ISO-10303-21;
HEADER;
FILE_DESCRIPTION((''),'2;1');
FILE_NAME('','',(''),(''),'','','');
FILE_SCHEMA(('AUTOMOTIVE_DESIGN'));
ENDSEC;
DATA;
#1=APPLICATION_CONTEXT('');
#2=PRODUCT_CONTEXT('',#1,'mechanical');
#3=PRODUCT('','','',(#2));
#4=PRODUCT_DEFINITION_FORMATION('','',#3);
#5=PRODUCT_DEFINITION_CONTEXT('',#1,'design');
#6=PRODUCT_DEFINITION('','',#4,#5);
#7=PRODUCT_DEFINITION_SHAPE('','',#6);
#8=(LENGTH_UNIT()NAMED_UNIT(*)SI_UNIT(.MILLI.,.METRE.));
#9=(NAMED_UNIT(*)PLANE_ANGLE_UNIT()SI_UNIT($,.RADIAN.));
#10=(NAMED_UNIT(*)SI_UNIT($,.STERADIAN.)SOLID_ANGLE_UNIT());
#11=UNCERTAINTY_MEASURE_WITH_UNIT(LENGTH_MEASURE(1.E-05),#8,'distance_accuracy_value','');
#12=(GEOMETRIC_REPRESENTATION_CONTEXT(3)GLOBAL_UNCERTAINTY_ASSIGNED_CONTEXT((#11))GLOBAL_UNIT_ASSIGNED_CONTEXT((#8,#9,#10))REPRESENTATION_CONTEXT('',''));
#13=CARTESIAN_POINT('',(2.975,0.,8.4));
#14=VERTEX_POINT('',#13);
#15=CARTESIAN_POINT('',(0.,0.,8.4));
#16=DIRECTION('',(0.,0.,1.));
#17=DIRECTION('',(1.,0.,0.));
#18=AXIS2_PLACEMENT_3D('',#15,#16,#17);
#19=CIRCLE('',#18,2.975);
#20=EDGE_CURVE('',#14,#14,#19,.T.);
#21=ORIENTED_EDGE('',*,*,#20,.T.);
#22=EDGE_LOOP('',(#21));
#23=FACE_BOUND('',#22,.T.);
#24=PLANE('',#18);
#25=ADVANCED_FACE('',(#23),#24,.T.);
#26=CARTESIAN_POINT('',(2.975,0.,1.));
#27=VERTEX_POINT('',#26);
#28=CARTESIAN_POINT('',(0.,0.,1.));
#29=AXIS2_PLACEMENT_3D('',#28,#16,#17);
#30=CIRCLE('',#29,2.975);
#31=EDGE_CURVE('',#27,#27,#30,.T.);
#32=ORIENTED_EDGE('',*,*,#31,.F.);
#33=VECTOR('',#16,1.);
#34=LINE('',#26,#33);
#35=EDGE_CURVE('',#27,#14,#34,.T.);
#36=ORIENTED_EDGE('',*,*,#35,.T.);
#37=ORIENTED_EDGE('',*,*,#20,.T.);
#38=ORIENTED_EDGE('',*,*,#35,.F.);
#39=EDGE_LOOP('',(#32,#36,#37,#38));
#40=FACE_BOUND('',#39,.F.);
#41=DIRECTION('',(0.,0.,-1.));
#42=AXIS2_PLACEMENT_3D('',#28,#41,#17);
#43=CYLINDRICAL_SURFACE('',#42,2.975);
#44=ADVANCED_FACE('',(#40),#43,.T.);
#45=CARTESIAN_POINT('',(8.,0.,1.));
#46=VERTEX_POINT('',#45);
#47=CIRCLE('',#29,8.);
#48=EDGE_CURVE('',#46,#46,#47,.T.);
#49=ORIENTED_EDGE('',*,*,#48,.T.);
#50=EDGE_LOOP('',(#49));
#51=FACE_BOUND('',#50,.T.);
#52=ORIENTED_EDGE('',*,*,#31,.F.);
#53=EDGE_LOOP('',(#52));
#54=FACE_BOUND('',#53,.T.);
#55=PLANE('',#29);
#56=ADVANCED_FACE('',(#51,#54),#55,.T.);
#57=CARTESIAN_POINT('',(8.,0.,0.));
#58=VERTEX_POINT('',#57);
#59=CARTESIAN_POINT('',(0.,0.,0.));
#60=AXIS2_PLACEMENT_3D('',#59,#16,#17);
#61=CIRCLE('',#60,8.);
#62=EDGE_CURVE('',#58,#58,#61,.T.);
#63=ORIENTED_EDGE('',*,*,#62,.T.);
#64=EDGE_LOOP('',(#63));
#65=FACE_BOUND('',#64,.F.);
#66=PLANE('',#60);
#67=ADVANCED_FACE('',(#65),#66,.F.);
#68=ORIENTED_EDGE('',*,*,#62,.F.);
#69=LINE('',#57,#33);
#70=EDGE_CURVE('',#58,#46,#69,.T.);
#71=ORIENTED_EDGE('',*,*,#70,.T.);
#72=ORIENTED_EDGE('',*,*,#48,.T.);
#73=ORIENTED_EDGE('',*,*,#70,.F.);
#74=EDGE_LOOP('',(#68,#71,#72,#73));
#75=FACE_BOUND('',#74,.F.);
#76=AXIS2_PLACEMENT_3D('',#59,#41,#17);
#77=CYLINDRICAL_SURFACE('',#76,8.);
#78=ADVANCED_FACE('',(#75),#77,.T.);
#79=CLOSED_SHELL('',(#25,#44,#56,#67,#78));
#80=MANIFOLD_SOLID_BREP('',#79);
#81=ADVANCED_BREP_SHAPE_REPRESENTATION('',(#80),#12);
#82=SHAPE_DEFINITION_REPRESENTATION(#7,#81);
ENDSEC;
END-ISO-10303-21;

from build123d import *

# Parameters (mm, degrees)
F0_R     = 8
F1_DEPTH = 1
F3_R     = 8
F4_DEPTH = 1
F5_R     = 2.975
F6_DEPTH = 7.4


with BuildPart() as f1:
    # F0 (on Top) → F1 (new body)
    with BuildSketch(Plane.XY):
        with Locations((-0.1634992032, 0.8891506742)):
            Circle(F0_R)
    extrude(amount=F1_DEPTH)


with BuildPart() as f4:
    # F3 (on Top) → F4 (new body)
    with BuildSketch(Plane.XY):
        Circle(F3_R)
    extrude(amount=F4_DEPTH)

    # F5 (on face) → F6 (join)
    with BuildSketch(Plane.XY.offset(1)):
        Circle(F5_R)
    extrude(amount=F6_DEPTH)


solid = f4.part
